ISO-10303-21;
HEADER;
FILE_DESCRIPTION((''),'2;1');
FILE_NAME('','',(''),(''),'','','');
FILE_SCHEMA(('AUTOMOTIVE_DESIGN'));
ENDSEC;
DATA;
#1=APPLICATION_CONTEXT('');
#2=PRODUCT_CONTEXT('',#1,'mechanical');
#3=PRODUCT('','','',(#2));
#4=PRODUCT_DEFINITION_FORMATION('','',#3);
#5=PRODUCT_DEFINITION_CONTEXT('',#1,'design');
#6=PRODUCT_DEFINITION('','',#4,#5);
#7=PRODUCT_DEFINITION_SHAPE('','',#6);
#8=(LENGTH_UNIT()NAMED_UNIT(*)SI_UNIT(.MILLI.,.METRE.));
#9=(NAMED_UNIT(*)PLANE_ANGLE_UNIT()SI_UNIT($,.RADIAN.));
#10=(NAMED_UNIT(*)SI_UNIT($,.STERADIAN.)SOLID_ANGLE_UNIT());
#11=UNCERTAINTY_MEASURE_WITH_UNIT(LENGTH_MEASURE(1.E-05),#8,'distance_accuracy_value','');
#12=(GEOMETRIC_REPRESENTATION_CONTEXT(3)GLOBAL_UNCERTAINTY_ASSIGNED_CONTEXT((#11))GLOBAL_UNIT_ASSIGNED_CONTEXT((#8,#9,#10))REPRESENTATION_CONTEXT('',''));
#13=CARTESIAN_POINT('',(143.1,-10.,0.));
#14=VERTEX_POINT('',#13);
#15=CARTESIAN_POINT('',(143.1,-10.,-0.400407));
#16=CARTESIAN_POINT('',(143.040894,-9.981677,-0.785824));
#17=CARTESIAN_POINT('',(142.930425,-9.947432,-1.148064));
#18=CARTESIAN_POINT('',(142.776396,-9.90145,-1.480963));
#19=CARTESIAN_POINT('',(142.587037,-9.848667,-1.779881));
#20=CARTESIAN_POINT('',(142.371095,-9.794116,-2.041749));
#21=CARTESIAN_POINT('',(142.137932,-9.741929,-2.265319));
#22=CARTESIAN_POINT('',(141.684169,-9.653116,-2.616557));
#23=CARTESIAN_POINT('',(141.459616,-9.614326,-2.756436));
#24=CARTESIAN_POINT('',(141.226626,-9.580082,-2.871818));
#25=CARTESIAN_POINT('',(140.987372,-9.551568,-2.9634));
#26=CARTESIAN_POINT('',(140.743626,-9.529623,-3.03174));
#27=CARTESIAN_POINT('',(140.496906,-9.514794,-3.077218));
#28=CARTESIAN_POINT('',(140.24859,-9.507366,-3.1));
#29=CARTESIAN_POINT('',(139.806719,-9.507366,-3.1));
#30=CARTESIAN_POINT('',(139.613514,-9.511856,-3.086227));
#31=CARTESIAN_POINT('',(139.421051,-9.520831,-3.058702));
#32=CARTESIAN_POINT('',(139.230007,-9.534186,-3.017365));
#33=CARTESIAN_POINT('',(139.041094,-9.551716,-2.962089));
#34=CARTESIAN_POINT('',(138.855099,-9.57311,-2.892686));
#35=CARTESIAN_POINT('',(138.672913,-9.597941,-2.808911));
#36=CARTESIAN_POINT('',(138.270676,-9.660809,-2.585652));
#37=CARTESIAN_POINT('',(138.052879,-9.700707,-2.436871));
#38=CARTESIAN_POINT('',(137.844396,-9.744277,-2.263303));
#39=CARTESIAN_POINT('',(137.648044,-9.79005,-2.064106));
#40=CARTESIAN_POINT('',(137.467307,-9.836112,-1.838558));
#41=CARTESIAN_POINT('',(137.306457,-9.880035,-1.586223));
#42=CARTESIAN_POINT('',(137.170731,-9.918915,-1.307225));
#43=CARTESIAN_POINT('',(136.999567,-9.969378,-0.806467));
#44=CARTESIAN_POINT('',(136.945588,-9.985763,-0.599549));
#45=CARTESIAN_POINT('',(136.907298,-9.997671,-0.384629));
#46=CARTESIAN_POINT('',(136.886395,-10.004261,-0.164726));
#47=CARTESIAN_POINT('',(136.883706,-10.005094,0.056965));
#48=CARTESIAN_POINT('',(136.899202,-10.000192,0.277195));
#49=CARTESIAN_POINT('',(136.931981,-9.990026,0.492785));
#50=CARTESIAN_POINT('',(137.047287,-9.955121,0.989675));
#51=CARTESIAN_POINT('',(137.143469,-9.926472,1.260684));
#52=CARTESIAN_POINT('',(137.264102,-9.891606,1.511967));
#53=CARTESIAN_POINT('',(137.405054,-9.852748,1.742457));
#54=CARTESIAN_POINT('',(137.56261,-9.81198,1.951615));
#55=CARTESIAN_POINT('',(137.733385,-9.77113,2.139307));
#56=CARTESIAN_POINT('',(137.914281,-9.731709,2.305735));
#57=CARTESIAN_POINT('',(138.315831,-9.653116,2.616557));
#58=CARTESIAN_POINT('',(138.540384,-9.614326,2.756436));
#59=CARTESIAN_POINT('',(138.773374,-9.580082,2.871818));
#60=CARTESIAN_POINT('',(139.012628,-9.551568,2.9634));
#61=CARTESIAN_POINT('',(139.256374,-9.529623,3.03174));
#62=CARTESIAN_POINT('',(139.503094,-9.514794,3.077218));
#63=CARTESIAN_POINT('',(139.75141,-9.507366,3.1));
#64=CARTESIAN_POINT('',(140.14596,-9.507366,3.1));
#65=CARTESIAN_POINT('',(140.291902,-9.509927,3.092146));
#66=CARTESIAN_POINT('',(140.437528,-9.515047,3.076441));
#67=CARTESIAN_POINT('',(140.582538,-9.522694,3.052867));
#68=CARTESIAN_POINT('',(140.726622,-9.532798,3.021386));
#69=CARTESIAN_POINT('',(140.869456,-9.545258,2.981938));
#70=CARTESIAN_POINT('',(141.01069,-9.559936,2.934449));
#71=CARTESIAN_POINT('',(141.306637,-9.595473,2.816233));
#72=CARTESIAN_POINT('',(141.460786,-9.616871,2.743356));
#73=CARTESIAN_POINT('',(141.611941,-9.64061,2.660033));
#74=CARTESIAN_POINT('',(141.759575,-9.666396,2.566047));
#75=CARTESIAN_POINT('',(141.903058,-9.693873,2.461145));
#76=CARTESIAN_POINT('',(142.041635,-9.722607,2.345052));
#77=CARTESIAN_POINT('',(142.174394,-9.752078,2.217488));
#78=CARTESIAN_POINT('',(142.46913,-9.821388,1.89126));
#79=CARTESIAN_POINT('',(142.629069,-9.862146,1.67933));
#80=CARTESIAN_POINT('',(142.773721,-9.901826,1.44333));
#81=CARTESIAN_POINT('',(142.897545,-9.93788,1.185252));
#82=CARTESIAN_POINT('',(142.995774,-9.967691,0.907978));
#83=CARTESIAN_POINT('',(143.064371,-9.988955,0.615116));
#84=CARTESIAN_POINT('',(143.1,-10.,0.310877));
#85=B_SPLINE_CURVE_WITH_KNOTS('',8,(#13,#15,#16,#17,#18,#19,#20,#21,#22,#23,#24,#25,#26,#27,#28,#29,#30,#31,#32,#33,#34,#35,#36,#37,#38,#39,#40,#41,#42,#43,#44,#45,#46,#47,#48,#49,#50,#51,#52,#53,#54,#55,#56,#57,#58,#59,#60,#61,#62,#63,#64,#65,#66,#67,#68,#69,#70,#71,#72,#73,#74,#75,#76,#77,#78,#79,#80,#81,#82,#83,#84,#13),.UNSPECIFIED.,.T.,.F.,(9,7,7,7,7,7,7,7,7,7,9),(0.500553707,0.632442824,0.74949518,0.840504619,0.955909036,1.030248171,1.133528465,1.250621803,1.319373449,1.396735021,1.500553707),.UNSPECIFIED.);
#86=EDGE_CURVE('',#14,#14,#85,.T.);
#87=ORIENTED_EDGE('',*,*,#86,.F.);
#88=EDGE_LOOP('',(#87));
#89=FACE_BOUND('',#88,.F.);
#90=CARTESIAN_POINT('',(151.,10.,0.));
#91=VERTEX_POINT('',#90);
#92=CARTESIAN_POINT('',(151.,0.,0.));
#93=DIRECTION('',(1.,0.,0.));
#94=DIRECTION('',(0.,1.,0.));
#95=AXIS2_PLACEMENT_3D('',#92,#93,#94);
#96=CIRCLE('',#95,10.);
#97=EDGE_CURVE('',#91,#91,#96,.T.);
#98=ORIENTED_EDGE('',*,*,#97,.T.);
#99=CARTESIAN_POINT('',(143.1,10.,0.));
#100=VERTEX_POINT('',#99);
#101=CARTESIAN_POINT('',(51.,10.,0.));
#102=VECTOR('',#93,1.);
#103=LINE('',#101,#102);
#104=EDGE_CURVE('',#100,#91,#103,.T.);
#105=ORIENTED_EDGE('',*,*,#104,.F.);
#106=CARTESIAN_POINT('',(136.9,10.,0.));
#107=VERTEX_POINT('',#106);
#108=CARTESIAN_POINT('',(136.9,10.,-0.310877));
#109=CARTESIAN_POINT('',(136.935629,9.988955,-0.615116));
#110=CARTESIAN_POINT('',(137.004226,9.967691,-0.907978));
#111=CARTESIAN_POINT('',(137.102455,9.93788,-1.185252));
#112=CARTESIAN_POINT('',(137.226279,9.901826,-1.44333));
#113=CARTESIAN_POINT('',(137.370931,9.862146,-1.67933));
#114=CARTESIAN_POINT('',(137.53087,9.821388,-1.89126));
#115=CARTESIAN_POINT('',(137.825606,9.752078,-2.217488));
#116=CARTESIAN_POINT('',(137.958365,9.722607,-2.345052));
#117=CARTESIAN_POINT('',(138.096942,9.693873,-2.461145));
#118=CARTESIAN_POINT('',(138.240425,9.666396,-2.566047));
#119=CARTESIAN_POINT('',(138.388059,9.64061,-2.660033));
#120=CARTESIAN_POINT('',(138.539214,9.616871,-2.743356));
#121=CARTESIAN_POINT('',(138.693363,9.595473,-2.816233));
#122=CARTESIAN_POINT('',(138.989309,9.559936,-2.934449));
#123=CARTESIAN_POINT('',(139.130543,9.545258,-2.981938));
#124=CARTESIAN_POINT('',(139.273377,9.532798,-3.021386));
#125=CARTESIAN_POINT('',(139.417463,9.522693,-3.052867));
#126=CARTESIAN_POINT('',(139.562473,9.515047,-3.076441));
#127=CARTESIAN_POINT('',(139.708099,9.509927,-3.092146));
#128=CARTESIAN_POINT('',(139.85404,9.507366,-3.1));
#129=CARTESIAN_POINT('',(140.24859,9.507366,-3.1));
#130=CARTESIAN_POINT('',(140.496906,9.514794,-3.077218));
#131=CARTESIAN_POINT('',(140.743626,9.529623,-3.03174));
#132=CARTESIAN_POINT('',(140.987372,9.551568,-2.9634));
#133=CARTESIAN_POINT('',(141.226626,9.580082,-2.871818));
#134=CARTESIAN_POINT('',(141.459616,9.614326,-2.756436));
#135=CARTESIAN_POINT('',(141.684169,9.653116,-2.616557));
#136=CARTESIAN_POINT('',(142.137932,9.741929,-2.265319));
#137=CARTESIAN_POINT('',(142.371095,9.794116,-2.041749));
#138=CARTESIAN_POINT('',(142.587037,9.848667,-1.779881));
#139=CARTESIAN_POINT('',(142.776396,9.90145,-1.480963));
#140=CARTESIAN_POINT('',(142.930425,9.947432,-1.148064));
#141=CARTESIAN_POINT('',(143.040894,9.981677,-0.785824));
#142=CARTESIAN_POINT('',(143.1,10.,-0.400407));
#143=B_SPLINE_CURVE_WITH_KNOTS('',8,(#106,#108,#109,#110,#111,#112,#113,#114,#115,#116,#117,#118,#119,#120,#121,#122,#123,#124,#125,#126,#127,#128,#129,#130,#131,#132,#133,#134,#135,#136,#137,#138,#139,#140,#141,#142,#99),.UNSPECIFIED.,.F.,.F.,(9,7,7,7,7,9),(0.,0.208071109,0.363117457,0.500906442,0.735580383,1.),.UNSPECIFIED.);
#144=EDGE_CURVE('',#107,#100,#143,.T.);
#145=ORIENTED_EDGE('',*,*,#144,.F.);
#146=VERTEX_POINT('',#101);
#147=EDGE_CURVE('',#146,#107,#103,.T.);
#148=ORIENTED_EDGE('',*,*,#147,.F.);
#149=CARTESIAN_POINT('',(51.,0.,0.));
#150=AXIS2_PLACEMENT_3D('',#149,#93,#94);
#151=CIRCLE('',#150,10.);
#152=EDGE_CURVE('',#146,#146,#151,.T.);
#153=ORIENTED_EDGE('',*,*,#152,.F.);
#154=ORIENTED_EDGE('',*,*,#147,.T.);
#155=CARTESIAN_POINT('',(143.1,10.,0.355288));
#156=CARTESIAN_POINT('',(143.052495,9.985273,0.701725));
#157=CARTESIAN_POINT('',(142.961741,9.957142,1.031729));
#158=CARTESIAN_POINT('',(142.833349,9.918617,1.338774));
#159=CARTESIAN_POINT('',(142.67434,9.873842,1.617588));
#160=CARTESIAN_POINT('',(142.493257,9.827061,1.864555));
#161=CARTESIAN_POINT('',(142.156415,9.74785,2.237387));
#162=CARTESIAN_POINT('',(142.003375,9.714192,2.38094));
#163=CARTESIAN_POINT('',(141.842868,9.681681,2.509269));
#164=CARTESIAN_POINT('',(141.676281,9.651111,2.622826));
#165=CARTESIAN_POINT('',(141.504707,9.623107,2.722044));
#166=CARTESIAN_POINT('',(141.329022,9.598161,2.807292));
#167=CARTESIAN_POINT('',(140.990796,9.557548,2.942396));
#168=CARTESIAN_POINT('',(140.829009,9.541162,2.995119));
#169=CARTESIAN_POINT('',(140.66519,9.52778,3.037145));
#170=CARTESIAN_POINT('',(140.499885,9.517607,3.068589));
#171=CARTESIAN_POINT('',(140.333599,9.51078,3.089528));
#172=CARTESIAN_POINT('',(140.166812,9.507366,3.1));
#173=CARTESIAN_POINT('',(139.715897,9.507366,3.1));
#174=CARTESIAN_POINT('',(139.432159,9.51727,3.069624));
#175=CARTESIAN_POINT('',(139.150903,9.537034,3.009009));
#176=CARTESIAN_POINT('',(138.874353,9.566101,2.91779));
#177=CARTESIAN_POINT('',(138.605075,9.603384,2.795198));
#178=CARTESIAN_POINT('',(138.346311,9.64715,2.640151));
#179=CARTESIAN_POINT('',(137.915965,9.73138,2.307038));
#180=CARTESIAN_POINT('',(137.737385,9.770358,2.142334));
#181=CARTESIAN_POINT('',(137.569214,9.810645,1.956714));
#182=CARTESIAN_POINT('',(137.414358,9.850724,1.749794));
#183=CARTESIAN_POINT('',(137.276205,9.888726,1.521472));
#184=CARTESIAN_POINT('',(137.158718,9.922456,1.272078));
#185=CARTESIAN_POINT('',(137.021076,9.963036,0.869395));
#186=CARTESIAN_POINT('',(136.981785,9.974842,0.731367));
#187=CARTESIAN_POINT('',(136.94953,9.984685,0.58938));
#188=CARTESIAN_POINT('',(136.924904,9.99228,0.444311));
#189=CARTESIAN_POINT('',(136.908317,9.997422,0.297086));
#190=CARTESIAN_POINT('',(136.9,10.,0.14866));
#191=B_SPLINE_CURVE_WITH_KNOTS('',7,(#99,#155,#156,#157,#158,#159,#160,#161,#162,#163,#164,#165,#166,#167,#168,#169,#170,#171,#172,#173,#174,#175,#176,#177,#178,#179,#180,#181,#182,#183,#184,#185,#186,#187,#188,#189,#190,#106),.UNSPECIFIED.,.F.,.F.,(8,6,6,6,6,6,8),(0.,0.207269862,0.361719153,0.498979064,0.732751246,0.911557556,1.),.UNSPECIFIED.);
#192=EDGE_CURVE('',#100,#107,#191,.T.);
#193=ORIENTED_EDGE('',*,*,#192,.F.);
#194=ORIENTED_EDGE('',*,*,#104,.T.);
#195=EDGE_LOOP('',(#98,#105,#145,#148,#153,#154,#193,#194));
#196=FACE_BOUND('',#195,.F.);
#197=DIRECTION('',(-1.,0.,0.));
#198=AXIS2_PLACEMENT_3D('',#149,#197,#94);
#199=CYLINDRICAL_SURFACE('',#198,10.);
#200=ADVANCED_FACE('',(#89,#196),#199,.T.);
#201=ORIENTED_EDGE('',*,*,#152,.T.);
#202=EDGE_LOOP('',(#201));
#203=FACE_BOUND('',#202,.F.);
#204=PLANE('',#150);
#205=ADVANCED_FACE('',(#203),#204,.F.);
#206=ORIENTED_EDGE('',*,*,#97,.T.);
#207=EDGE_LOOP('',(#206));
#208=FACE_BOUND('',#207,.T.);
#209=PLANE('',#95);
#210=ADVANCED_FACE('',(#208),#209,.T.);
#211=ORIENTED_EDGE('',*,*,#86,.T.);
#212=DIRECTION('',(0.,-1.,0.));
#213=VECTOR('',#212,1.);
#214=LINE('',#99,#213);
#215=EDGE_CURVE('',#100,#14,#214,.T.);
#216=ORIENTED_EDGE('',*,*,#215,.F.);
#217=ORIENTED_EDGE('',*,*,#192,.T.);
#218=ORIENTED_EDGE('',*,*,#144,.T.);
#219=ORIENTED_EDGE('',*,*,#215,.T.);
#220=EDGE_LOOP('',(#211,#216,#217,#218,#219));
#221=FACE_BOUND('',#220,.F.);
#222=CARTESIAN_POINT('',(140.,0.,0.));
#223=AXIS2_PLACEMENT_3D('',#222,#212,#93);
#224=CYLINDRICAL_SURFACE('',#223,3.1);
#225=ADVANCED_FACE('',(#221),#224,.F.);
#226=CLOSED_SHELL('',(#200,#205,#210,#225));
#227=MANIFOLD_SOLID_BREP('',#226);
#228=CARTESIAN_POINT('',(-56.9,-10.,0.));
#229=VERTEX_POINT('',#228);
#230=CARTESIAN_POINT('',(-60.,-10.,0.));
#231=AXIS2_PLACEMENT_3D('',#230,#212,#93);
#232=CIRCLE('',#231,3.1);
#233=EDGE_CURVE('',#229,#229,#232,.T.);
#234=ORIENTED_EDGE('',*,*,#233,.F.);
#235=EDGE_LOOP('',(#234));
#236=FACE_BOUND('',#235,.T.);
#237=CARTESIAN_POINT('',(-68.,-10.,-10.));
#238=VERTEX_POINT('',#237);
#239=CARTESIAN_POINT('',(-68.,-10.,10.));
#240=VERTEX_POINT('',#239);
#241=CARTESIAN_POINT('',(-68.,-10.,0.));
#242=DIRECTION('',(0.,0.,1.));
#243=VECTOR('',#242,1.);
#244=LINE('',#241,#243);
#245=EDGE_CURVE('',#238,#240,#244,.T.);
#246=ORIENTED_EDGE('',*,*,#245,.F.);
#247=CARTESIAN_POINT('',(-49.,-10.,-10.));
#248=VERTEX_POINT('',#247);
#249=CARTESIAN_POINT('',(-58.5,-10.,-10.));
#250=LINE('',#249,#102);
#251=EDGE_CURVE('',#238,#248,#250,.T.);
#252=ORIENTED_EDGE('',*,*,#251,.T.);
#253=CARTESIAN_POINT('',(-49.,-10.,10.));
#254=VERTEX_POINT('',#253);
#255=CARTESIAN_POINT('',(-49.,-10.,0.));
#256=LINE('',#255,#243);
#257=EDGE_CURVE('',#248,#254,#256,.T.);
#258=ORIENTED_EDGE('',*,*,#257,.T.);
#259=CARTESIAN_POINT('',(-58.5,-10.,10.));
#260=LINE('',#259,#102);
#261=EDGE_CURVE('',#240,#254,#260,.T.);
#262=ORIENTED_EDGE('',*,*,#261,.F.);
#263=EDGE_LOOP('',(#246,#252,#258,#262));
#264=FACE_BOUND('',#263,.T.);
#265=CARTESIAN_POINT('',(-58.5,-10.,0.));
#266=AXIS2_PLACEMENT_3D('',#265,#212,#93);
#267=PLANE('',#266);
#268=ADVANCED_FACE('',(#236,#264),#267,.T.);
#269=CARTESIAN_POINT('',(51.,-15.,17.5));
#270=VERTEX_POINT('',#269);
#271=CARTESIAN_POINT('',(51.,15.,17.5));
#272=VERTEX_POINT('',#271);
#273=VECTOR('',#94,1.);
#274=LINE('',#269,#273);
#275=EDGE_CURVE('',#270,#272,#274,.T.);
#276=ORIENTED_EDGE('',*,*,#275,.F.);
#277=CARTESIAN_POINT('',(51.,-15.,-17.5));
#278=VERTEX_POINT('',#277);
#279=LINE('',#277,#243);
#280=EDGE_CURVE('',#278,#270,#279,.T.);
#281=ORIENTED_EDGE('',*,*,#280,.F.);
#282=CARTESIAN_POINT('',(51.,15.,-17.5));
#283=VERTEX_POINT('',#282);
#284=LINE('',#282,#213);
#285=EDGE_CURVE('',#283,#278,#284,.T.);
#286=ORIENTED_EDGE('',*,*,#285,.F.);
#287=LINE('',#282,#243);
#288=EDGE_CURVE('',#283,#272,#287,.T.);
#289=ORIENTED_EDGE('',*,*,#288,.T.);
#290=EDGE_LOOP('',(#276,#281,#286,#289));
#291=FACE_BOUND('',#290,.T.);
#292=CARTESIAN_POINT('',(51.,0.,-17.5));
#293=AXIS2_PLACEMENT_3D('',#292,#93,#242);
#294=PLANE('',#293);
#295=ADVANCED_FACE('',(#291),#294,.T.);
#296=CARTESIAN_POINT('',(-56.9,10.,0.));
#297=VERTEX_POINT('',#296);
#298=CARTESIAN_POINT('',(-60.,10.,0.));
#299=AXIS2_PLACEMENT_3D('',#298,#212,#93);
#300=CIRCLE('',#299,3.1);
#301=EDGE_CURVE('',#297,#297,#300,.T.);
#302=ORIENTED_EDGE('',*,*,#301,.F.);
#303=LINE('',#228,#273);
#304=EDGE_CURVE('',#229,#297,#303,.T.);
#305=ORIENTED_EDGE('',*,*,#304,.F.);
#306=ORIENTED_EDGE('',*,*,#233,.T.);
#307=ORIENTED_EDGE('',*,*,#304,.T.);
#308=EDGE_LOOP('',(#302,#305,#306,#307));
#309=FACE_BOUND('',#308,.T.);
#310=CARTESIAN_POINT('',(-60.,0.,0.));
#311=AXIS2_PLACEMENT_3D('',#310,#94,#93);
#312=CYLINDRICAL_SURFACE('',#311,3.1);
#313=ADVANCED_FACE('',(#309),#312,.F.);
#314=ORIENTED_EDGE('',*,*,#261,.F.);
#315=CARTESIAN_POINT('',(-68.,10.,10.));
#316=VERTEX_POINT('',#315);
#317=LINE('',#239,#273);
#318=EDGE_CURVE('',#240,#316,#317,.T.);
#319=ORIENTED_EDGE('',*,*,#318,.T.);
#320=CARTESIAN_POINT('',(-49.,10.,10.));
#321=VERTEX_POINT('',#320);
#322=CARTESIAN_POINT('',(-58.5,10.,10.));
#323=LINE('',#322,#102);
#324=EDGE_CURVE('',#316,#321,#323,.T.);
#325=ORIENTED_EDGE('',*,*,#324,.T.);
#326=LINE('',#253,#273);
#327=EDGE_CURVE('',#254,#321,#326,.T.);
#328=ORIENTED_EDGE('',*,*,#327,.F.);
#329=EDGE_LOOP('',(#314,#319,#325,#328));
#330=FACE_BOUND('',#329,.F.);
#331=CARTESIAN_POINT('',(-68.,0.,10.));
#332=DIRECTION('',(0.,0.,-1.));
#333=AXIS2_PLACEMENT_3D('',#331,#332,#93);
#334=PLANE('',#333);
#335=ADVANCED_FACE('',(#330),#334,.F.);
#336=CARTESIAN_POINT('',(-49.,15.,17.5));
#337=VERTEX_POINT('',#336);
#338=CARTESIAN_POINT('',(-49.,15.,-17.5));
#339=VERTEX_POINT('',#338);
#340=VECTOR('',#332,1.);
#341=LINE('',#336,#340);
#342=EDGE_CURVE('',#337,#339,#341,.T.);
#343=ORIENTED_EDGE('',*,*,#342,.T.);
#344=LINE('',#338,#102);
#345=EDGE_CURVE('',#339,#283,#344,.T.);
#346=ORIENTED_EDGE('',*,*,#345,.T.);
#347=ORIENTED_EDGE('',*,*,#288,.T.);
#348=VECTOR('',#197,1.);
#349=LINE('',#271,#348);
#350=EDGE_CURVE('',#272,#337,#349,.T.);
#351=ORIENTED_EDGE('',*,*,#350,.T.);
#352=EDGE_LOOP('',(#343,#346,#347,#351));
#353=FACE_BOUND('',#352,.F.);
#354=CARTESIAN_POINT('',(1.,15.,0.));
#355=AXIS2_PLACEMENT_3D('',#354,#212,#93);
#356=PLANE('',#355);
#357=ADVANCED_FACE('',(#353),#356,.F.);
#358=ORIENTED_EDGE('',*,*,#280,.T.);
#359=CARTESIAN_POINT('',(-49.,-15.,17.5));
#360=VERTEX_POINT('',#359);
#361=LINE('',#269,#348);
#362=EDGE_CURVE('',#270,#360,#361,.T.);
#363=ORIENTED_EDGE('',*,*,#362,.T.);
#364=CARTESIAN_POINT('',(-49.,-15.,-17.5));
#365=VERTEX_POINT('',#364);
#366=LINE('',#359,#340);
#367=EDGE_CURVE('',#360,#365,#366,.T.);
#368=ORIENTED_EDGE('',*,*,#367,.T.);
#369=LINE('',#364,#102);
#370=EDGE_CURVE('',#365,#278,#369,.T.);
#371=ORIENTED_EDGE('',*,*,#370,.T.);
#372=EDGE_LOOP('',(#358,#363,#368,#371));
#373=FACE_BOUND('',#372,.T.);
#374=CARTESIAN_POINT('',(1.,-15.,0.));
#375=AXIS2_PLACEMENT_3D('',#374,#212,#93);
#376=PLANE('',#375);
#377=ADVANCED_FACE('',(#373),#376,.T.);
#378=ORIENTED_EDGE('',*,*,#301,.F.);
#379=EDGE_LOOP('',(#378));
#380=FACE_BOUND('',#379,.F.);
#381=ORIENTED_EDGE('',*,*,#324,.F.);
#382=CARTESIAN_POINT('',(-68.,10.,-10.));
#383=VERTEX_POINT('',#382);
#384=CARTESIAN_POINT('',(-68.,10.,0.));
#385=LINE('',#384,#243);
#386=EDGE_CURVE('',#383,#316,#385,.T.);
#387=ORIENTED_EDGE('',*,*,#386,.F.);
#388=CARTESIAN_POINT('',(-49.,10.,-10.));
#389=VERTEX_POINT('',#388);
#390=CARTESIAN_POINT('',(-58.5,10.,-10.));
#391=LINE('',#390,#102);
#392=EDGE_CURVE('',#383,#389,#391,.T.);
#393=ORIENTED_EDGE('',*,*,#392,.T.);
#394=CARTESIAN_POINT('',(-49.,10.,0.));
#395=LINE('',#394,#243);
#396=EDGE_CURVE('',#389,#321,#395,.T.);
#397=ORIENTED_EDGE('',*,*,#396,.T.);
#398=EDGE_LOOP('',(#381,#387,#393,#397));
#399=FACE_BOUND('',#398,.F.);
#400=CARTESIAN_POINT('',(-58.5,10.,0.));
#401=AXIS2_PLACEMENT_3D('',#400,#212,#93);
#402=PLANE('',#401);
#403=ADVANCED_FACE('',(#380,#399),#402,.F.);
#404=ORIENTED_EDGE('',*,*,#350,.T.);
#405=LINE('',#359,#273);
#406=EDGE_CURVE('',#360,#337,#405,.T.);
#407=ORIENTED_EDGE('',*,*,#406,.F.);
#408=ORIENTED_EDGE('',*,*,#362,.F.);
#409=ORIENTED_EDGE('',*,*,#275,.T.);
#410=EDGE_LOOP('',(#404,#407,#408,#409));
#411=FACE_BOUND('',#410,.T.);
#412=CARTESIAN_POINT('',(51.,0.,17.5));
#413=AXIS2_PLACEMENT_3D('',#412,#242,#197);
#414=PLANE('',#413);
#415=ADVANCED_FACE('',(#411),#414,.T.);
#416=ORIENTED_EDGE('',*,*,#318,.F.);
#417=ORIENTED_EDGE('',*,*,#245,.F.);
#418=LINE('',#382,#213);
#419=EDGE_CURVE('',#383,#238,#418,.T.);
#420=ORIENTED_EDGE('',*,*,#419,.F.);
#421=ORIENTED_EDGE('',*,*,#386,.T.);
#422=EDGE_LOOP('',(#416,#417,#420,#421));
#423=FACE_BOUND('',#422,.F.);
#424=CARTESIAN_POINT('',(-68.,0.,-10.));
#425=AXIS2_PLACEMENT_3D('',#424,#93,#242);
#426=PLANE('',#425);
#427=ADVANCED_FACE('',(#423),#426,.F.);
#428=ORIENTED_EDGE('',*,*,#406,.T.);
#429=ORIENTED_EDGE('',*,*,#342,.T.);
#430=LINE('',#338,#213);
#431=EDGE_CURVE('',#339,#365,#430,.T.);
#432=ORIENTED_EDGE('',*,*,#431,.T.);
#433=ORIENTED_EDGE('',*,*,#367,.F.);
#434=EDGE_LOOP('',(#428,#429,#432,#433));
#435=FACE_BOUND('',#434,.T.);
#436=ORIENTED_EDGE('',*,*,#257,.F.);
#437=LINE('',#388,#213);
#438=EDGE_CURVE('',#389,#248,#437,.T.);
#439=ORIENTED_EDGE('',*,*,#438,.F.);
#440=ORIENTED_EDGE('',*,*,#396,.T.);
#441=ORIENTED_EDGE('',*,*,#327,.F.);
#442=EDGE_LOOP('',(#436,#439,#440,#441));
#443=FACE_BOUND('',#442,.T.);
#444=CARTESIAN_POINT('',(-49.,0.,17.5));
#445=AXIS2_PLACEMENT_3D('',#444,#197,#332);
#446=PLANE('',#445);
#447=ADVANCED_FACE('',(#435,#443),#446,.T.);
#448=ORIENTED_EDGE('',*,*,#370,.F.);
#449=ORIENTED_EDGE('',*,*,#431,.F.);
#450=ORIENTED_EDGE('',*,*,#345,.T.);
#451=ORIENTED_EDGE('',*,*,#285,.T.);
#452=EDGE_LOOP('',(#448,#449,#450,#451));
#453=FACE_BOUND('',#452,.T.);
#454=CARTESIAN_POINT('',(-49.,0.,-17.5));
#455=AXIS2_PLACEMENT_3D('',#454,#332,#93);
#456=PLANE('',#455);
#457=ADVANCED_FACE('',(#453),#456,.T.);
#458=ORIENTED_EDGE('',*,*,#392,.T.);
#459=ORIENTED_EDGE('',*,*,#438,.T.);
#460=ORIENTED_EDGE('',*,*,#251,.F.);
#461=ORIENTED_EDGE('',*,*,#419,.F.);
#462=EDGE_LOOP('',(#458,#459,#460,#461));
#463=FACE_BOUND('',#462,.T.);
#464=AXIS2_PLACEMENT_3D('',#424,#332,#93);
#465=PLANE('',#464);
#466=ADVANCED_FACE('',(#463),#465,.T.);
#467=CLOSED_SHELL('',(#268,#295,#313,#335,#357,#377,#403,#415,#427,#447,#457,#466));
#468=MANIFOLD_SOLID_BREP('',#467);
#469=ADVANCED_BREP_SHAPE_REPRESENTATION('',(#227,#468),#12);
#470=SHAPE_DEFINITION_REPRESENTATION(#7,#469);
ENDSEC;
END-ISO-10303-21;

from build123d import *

# Parameters (mm, degrees)
F0_W     = 19
F0_H     = 20
F0_R     = 3.1
F1_DEPTH = 10
F2_DEPTH = 15
F4_R     = 10
F5_DEPTH = 100
F7_R     = 3.1
F8_DEPTH = 10


with BuildPart() as f1:
    # F0 (on Front) → F1 (new body, symmetric)
    with BuildSketch(Plane.XZ):
        with Locations((-58.5, 0)):
            Rectangle(F0_W, F0_H)
        with Locations((-60, 0)):
            Circle(F0_R, mode=Mode.SUBTRACT)
    extrude(amount=F1_DEPTH, both=True)

    # F0 (on Front) → F2 (join, symmetric)
    with BuildSketch(Plane.XZ):
        Polygon((-49, 17.5), (-49, 10), (-49, -10), (-49, -17.5), (51, -17.5), (51, 17.5), align=None)
    extrude(amount=F2_DEPTH, both=True)


with BuildPart() as f5:
    # F4 (on offset) → F5 (new body)
    with BuildSketch(Plane.YZ.offset(51)):
        Circle(F4_R)
    extrude(amount=F5_DEPTH)

    # F7 (on face) → F8 (cut, symmetric)
    with BuildSketch(Plane.XZ):
        with Locations((140, 0)):
            Circle(F7_R)
    extrude(amount=F8_DEPTH, both=True, mode=Mode.SUBTRACT)


solid = Compound([f1.part, f5.part])
